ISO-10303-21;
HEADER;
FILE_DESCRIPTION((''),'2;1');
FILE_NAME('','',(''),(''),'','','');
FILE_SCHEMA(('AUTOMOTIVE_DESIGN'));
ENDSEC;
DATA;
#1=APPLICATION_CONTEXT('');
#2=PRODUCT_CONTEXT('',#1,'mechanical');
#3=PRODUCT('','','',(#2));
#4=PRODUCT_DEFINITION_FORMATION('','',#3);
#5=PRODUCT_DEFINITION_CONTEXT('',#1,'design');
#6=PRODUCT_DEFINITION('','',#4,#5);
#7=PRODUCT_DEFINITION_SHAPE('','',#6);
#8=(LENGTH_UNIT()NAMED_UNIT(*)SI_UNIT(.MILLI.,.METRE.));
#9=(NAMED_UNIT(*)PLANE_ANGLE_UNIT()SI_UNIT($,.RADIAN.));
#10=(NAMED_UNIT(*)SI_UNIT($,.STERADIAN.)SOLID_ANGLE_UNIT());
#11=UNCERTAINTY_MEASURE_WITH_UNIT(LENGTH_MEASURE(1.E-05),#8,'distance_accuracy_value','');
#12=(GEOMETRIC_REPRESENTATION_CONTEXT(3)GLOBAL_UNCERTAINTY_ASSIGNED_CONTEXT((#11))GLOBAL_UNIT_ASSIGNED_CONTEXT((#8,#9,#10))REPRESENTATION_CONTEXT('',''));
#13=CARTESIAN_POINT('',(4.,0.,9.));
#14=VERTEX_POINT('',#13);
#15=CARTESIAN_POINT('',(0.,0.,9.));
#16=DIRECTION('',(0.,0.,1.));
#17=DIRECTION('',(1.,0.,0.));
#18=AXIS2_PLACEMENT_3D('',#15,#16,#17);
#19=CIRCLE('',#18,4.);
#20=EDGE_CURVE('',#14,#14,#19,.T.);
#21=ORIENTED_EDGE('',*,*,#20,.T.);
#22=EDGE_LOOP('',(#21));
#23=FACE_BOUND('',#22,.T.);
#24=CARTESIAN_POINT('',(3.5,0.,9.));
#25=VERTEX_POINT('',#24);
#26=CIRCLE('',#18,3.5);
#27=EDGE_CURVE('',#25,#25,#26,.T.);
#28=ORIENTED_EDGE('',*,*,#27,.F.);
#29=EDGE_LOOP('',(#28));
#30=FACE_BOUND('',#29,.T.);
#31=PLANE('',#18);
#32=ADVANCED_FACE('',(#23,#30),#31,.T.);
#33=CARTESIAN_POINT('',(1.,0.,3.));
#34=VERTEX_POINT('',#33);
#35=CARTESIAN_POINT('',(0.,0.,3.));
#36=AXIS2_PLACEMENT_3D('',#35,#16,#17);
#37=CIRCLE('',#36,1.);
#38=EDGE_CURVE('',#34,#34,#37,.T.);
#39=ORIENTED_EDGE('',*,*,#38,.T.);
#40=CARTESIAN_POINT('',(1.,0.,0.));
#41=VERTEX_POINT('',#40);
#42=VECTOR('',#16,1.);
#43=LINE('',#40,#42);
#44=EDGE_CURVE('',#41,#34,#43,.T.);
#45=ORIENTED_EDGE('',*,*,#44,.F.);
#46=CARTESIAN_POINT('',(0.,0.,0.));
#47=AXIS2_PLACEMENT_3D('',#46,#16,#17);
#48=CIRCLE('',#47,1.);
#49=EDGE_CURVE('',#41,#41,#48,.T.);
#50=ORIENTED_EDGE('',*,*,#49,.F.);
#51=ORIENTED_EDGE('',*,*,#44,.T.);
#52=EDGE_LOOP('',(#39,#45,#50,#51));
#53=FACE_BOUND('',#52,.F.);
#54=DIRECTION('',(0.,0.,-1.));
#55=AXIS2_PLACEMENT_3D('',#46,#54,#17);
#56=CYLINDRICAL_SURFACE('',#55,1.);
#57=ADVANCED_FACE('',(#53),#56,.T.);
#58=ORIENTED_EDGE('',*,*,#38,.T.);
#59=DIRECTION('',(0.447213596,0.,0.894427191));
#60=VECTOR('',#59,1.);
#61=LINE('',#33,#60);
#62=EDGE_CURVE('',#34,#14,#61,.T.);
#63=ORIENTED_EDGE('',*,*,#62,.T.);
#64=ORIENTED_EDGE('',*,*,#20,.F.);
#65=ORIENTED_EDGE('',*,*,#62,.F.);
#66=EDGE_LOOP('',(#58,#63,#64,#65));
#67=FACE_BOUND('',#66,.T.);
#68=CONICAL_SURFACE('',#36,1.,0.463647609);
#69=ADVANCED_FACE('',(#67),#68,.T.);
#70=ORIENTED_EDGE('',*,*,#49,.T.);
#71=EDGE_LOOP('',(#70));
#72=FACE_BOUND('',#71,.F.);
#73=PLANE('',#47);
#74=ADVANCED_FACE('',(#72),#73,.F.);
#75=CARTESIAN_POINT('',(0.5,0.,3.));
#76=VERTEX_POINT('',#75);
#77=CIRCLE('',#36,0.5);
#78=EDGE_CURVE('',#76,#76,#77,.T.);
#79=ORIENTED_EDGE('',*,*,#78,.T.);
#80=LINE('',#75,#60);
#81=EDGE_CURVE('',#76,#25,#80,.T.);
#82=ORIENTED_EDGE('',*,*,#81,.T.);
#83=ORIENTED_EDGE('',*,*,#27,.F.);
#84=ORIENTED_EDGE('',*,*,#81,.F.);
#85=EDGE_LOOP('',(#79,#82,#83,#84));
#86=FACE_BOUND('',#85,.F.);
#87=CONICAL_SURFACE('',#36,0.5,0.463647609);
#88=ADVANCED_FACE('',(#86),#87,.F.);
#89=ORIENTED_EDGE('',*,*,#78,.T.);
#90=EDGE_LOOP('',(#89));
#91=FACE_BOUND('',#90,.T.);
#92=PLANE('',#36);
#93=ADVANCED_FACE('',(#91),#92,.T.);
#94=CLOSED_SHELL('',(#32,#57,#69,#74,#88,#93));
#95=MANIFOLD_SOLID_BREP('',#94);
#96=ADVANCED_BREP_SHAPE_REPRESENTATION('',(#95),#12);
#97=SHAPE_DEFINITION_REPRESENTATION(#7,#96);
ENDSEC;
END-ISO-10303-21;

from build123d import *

# Parameters (mm, degrees)
CYLINDER_R        = 1
CYLINDER_DEPTH    = 3
CYLINDER001_R     = 0.5
CYLINDER001_DEPTH = 3


with BuildPart() as cone001:
    # Cone001 → Cone001 (revolve)
    with BuildSketch(Plane(origin=(0, 0, 3), x_dir=(1, 0, 0), z_dir=(0, -1, 0))):
        Polygon((0, 0), (0.5, 0), (3.5, 6), (0, 6), align=None)
    revolve(axis=Axis((0, 0, 3), (0, 0, 1)))


with BuildPart() as cut001:
    # Cone → Cone (revolve)
    with BuildSketch(Plane(origin=(0, 0, 3), x_dir=(1, 0, 0), z_dir=(0, -1, 0))):
        Polygon((0, 0), (1, 0), (4, 6), (0, 6), align=None)
    revolve(axis=Axis((0, 0, 3), (0, 0, 1)))

    # Cut001: cut Cone001
    add(cone001.part, mode=Mode.SUBTRACT)


with BuildPart() as cylinder:
    # Cylinder → Cylinder (new body)
    with BuildSketch(Plane.XY):
        Circle(CYLINDER_R)
    extrude(amount=CYLINDER_DEPTH)


with BuildPart() as cylinder001:
    # Cylinder001 → Cylinder001 (new body)
    with BuildSketch(Plane.XY):
        Circle(CYLINDER001_R)
    extrude(amount=CYLINDER001_DEPTH)


with BuildPart() as fusion:
    # Cut base: copy of Cylinder
    add(cylinder.part)

    # Cut: cut Cylinder001
    add(cylinder001.part, mode=Mode.SUBTRACT)

    # Fusion: union Cut001, Cylinder, Cylinder001
    add(cut001.part)
    add(cylinder.part)
    add(cylinder001.part)


solid = fusion.part
